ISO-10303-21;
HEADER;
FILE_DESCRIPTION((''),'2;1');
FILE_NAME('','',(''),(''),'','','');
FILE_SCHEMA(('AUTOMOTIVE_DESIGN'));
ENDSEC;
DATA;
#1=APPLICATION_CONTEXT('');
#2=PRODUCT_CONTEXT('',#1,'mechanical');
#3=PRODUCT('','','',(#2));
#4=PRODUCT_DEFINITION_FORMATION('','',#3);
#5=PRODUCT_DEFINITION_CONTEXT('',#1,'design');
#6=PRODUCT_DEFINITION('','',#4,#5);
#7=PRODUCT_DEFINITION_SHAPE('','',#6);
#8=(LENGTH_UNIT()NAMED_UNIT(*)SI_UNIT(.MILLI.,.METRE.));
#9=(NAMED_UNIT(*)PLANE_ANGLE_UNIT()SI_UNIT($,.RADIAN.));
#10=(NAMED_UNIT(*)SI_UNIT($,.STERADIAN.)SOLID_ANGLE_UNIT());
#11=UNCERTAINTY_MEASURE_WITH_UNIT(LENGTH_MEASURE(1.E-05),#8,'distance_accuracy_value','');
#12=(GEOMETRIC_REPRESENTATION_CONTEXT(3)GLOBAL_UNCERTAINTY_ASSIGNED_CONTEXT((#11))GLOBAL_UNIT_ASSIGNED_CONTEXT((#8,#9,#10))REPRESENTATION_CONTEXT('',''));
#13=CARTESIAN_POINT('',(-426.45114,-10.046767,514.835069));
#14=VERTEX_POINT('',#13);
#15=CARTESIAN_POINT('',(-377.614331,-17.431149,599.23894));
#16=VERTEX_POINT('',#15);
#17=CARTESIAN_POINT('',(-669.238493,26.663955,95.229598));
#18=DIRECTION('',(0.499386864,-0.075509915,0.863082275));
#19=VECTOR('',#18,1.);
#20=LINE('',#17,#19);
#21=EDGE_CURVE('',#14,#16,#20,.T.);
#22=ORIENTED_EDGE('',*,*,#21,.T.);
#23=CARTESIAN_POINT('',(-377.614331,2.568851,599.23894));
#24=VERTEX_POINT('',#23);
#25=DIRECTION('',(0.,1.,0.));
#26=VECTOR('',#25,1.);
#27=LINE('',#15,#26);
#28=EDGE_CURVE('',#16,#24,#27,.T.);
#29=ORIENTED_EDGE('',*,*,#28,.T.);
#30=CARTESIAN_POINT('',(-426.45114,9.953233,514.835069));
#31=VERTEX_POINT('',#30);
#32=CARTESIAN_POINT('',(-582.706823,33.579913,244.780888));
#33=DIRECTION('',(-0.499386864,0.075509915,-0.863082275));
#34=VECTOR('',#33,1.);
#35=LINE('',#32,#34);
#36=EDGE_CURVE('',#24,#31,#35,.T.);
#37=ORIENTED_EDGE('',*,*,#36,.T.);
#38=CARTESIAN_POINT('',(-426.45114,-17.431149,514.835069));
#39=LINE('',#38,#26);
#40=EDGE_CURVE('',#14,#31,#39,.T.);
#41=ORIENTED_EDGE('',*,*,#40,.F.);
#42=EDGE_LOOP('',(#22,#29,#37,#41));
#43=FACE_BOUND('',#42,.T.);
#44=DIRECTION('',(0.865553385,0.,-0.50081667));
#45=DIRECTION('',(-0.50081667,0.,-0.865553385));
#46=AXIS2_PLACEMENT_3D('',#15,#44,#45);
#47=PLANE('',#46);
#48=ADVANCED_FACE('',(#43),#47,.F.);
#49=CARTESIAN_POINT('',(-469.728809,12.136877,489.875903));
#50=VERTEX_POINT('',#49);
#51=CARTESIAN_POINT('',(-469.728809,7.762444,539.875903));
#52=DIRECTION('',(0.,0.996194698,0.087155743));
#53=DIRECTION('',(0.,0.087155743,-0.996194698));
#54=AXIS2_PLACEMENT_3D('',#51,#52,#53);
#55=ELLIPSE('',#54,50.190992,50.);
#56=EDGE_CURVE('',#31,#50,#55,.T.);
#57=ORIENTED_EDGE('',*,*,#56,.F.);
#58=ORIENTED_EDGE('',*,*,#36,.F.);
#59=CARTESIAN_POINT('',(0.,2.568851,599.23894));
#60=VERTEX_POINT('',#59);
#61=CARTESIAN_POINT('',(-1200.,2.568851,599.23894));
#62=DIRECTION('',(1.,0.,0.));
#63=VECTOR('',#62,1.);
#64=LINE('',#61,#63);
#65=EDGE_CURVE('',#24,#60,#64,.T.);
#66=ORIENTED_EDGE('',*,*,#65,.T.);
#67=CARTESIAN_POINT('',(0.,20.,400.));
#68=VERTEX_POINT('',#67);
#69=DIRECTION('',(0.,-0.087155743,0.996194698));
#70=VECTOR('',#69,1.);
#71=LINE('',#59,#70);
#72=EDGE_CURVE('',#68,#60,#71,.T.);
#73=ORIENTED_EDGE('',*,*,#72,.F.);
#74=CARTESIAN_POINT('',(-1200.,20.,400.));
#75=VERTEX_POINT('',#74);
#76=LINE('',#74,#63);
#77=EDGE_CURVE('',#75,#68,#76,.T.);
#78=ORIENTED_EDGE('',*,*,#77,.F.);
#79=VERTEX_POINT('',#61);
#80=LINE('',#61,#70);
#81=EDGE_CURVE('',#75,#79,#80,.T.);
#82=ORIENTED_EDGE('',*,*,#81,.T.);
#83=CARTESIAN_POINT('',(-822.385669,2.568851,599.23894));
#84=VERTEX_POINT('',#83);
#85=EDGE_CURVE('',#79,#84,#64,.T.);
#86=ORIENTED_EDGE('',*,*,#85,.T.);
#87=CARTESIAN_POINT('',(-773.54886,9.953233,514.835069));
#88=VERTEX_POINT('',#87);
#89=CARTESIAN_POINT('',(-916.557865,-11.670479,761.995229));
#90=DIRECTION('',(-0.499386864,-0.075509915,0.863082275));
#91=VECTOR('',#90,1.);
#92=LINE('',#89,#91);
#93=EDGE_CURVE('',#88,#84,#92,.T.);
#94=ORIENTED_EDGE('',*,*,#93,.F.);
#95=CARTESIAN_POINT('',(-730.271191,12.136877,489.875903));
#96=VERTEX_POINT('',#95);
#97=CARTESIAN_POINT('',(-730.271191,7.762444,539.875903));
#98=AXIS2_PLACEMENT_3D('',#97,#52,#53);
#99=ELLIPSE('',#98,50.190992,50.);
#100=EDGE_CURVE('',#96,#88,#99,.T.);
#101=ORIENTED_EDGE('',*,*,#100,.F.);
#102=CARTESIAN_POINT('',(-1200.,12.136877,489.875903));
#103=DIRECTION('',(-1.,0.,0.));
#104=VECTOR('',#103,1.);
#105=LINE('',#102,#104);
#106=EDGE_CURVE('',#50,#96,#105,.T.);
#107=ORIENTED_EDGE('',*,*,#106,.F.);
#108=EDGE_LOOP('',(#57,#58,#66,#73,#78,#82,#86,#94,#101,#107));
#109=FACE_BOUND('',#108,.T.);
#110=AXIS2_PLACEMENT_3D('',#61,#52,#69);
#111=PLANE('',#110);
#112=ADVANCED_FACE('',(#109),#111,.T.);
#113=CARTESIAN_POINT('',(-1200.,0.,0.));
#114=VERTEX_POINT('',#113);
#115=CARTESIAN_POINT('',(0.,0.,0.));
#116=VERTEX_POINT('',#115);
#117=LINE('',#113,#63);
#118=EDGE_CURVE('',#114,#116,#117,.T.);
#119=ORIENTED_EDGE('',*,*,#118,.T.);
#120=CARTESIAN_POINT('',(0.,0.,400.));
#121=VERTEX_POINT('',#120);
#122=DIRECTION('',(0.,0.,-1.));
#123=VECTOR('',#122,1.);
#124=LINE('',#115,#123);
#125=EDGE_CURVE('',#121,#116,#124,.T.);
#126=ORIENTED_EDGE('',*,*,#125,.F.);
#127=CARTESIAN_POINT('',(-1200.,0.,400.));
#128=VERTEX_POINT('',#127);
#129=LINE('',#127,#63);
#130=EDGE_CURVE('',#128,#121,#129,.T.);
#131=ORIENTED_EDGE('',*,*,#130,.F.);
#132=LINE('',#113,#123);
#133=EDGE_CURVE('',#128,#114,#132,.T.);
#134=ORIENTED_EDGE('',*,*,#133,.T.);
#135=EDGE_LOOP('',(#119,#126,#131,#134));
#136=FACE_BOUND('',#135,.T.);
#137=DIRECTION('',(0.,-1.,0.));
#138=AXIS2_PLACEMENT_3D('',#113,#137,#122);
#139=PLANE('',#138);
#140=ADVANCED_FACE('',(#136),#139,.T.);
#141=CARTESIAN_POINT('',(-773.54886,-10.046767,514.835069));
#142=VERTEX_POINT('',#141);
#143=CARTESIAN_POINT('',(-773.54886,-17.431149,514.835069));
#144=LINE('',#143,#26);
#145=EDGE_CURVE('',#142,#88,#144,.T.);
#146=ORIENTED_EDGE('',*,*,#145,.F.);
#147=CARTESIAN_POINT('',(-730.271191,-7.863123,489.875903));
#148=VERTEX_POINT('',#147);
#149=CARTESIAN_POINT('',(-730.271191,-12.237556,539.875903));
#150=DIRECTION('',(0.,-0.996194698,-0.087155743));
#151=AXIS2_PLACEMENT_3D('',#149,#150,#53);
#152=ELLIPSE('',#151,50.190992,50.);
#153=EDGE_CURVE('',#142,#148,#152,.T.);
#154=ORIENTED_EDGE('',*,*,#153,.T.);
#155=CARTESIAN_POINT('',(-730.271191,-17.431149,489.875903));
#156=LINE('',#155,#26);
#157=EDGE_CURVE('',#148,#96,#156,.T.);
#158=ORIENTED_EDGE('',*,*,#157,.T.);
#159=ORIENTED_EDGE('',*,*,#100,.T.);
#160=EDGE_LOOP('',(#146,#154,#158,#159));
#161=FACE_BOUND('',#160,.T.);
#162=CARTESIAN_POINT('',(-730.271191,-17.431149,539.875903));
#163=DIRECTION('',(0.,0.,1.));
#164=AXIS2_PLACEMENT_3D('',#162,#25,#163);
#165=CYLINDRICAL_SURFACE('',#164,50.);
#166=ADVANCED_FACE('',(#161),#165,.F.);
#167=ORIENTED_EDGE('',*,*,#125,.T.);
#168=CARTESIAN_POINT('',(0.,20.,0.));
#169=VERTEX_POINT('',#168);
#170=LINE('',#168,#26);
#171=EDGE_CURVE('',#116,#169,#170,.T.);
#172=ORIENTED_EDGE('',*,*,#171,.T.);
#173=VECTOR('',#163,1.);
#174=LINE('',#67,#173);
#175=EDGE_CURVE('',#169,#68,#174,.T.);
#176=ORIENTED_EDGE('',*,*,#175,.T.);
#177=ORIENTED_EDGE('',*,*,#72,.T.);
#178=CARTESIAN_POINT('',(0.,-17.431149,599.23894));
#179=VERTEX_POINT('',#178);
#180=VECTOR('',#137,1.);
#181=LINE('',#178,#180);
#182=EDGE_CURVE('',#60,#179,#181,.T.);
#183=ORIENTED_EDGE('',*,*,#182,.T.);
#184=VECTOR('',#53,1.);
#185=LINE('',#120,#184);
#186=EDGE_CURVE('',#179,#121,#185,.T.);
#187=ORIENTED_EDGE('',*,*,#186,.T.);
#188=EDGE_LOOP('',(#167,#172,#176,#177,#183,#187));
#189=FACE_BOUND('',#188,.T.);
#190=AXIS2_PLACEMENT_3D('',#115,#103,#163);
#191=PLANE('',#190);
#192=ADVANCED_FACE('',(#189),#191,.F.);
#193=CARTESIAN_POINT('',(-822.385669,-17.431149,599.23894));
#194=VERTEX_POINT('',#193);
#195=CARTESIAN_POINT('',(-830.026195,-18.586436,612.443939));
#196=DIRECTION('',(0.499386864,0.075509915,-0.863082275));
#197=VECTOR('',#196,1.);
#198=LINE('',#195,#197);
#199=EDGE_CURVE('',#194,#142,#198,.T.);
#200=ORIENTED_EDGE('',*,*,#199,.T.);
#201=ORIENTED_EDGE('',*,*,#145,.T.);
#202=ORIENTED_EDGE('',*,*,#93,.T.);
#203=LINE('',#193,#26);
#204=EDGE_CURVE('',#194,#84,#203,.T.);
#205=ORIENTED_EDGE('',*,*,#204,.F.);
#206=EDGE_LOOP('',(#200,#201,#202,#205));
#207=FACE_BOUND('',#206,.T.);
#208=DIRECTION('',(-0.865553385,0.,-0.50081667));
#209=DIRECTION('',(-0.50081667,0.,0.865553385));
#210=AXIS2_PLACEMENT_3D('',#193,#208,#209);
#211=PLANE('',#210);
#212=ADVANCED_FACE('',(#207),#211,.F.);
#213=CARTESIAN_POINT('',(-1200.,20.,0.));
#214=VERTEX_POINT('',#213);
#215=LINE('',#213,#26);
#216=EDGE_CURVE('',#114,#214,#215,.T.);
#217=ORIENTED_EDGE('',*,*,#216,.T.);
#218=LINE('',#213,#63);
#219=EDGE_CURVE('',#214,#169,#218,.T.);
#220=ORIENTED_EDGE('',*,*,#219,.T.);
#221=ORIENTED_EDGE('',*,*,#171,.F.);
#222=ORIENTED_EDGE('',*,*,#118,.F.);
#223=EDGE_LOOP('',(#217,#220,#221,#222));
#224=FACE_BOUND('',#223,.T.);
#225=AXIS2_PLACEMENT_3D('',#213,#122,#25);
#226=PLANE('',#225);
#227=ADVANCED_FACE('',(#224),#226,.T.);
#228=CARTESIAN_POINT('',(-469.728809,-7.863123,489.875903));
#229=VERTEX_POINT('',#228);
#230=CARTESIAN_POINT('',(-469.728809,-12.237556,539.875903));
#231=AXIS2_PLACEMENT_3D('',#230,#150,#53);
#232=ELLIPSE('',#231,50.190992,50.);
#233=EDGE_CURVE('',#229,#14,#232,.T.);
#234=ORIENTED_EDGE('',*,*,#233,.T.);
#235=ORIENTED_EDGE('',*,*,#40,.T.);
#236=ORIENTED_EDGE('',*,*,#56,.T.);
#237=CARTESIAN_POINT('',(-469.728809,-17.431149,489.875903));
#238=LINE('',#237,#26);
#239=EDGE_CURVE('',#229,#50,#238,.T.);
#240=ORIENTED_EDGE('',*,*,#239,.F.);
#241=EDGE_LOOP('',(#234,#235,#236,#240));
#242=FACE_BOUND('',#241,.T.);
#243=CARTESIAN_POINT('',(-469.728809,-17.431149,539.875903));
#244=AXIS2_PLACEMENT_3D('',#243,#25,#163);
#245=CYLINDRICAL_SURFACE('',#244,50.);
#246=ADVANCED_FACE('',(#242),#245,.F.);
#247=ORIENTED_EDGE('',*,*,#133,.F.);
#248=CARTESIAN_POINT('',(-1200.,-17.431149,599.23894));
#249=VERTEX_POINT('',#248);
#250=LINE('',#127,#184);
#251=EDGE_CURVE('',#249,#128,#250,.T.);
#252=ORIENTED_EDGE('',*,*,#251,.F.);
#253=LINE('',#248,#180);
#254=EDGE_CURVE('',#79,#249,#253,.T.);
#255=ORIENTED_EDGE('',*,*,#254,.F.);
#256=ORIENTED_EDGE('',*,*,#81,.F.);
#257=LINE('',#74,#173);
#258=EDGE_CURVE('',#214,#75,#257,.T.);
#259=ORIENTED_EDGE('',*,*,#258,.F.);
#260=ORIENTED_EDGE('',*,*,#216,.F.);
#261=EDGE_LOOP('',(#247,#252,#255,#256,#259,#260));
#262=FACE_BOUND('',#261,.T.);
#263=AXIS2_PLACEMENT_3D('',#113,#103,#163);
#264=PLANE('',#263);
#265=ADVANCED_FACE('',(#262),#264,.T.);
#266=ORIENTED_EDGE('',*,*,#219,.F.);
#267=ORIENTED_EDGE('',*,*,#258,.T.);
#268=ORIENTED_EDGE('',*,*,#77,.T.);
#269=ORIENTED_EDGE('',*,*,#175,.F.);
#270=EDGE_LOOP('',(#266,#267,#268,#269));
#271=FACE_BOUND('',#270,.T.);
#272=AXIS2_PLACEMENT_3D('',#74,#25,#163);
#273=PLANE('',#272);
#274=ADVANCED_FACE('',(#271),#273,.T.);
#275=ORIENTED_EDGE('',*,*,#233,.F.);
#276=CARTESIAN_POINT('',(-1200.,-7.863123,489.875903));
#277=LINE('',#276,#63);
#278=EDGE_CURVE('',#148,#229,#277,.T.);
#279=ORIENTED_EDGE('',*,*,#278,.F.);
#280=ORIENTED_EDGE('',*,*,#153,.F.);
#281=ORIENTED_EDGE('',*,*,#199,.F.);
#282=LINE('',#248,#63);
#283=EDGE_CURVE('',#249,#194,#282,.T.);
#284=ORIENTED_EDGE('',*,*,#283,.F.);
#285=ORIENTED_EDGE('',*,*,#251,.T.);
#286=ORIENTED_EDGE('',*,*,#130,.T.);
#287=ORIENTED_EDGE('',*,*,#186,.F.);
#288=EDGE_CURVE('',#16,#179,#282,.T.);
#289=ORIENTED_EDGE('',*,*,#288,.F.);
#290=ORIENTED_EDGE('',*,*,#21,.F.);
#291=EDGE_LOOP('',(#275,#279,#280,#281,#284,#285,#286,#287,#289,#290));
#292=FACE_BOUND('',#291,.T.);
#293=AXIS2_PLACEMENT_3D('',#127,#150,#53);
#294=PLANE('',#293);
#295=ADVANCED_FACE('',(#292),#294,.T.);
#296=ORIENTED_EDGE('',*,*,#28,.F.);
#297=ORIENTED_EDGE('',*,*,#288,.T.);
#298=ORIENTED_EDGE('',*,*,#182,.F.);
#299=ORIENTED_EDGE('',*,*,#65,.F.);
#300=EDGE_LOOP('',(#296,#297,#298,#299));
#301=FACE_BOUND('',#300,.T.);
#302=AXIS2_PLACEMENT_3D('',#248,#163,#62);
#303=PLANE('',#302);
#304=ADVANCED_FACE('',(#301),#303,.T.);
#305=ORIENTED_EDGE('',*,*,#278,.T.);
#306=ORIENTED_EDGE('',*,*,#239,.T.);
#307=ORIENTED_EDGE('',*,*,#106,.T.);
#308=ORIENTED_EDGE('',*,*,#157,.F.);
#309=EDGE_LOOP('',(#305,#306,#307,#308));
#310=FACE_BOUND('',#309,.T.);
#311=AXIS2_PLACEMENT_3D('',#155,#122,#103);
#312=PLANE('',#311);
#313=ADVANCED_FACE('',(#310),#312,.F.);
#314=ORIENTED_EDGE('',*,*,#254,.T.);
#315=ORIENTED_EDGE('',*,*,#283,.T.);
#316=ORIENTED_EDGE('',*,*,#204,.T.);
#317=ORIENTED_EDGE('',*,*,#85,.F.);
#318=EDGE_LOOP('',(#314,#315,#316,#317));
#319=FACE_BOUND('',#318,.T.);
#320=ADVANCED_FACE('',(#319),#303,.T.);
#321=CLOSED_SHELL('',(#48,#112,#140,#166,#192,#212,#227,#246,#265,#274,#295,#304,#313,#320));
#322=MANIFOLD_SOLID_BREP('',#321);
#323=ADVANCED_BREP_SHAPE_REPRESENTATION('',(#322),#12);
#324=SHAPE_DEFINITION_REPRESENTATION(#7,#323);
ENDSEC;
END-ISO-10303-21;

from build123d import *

# Parameters (mm, degrees)
EXTRUDE_1_DEPTH     = 1200
CUT_EXTRUDE_1_DEPTH = 38.43114855


with BuildPart() as part:
    # Эскиз2 → Бобышка-Вытянуть1 (new body)
    with BuildSketch(Plane(origin=(0, 0, 0), x_dir=(0, 0, -1), z_dir=(1, 0, 0))):
        Polygon((0, 20), (0, 0), (-400, 0), (-599.238939618, -17.43114855), (-599.238939618, 2.56885145), (-400, 20), align=None)
    extrude(amount=-EXTRUDE_1_DEPTH)

    # Эскиз3 → Вырез-Вытянуть1 (cut, through all)
    with BuildSketch(Plane(origin=(0, 20, 0), x_dir=(1, 0, 0), z_dir=(0, 1, 0))):
        with BuildLine():
            Line((-822.385668675, -599.238939618), (-377.614331325, -599.238939618))
            Line((-377.614331325, -599.238939618), (-426.451140145, -514.835069456))
            ThreePointArc((-426.451140145, -514.835069456), (-444.74923451, -496.562846761), (-469.728809412, -489.875902964))
            Line((-469.728809412, -489.875902964), (-730.271190588, -489.875902964))
            ThreePointArc((-730.271190588, -489.875902964), (-755.25076549, -496.562846761), (-773.548859855, -514.835069456))
            Line((-773.548859855, -514.835069456), (-822.385668675, -599.238939618))
        make_face()
    extrude(amount=-CUT_EXTRUDE_1_DEPTH, mode=Mode.SUBTRACT)


solid = part.part
